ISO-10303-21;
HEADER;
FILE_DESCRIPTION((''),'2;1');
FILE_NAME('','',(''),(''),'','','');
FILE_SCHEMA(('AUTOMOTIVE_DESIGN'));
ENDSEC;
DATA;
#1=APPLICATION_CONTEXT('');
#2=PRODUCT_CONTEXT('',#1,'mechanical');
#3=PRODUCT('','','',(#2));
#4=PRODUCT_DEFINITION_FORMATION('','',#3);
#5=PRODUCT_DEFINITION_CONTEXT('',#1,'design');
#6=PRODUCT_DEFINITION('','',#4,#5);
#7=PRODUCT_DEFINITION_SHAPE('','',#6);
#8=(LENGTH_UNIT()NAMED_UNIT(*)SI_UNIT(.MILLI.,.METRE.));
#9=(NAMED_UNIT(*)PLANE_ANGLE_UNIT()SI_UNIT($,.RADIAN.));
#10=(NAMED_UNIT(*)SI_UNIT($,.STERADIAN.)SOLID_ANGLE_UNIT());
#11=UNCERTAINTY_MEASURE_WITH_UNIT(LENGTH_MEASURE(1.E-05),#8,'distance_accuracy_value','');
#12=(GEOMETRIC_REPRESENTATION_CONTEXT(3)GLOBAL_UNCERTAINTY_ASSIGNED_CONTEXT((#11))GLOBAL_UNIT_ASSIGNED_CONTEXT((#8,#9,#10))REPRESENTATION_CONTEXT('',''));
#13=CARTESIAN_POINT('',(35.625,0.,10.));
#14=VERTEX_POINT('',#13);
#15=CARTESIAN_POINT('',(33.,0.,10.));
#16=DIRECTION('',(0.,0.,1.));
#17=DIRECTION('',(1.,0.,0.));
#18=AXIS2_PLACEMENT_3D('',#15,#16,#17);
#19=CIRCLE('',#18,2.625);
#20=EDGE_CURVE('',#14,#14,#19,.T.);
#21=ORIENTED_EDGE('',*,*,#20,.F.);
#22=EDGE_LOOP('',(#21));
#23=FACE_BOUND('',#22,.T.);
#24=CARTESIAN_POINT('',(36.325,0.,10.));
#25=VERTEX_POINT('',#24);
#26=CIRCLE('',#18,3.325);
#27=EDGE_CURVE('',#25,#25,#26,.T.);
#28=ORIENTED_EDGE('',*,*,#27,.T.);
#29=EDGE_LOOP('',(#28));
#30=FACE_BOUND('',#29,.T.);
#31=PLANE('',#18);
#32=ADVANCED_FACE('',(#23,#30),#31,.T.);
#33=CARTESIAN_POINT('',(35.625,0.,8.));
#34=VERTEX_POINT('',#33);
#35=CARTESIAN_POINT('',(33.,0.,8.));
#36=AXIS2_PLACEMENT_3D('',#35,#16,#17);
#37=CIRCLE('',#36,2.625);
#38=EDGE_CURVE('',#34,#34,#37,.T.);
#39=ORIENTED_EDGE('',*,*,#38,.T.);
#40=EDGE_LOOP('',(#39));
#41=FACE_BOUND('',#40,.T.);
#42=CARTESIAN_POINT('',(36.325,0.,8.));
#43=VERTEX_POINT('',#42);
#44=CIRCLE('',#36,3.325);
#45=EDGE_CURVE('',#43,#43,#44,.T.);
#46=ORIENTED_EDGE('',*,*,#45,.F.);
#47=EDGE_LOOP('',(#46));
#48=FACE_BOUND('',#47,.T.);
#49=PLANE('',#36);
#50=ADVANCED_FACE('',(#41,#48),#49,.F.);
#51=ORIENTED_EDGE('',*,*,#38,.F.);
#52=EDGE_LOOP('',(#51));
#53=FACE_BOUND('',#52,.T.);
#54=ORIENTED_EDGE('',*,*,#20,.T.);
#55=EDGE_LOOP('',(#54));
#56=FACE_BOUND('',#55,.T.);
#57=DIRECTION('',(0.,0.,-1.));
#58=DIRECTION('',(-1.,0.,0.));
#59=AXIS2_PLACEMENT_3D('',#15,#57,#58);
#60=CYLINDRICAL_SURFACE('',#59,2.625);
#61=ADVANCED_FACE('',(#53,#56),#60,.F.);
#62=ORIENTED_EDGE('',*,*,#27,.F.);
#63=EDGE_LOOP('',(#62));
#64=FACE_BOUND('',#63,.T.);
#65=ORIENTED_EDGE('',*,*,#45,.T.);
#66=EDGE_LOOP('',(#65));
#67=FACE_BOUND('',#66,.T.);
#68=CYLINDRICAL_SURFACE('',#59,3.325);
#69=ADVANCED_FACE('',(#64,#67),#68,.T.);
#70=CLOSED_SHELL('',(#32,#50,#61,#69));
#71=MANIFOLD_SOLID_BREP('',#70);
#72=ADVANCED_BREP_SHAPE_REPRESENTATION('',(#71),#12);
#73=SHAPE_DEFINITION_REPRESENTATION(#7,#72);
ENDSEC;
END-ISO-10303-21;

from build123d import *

# Parameters (mm, degrees)
BOSS_EXTRUDE1_START = 5
SKETCH1_R           = 3.325
SKETCH1_R_2         = 2.625
BOSS_EXTRUDE1_DEPTH = 2


with BuildPart() as part:
    # Sketch1 → Boss-Extrude1 (new body)
    with BuildSketch(Plane.XY.offset(3).offset(BOSS_EXTRUDE1_START)):
        with Locations((33, 0)):
            Circle(SKETCH1_R)
        with Locations((33, 0)):
            Circle(SKETCH1_R_2, mode=Mode.SUBTRACT)
    extrude(amount=BOSS_EXTRUDE1_DEPTH)


solid = part.part
